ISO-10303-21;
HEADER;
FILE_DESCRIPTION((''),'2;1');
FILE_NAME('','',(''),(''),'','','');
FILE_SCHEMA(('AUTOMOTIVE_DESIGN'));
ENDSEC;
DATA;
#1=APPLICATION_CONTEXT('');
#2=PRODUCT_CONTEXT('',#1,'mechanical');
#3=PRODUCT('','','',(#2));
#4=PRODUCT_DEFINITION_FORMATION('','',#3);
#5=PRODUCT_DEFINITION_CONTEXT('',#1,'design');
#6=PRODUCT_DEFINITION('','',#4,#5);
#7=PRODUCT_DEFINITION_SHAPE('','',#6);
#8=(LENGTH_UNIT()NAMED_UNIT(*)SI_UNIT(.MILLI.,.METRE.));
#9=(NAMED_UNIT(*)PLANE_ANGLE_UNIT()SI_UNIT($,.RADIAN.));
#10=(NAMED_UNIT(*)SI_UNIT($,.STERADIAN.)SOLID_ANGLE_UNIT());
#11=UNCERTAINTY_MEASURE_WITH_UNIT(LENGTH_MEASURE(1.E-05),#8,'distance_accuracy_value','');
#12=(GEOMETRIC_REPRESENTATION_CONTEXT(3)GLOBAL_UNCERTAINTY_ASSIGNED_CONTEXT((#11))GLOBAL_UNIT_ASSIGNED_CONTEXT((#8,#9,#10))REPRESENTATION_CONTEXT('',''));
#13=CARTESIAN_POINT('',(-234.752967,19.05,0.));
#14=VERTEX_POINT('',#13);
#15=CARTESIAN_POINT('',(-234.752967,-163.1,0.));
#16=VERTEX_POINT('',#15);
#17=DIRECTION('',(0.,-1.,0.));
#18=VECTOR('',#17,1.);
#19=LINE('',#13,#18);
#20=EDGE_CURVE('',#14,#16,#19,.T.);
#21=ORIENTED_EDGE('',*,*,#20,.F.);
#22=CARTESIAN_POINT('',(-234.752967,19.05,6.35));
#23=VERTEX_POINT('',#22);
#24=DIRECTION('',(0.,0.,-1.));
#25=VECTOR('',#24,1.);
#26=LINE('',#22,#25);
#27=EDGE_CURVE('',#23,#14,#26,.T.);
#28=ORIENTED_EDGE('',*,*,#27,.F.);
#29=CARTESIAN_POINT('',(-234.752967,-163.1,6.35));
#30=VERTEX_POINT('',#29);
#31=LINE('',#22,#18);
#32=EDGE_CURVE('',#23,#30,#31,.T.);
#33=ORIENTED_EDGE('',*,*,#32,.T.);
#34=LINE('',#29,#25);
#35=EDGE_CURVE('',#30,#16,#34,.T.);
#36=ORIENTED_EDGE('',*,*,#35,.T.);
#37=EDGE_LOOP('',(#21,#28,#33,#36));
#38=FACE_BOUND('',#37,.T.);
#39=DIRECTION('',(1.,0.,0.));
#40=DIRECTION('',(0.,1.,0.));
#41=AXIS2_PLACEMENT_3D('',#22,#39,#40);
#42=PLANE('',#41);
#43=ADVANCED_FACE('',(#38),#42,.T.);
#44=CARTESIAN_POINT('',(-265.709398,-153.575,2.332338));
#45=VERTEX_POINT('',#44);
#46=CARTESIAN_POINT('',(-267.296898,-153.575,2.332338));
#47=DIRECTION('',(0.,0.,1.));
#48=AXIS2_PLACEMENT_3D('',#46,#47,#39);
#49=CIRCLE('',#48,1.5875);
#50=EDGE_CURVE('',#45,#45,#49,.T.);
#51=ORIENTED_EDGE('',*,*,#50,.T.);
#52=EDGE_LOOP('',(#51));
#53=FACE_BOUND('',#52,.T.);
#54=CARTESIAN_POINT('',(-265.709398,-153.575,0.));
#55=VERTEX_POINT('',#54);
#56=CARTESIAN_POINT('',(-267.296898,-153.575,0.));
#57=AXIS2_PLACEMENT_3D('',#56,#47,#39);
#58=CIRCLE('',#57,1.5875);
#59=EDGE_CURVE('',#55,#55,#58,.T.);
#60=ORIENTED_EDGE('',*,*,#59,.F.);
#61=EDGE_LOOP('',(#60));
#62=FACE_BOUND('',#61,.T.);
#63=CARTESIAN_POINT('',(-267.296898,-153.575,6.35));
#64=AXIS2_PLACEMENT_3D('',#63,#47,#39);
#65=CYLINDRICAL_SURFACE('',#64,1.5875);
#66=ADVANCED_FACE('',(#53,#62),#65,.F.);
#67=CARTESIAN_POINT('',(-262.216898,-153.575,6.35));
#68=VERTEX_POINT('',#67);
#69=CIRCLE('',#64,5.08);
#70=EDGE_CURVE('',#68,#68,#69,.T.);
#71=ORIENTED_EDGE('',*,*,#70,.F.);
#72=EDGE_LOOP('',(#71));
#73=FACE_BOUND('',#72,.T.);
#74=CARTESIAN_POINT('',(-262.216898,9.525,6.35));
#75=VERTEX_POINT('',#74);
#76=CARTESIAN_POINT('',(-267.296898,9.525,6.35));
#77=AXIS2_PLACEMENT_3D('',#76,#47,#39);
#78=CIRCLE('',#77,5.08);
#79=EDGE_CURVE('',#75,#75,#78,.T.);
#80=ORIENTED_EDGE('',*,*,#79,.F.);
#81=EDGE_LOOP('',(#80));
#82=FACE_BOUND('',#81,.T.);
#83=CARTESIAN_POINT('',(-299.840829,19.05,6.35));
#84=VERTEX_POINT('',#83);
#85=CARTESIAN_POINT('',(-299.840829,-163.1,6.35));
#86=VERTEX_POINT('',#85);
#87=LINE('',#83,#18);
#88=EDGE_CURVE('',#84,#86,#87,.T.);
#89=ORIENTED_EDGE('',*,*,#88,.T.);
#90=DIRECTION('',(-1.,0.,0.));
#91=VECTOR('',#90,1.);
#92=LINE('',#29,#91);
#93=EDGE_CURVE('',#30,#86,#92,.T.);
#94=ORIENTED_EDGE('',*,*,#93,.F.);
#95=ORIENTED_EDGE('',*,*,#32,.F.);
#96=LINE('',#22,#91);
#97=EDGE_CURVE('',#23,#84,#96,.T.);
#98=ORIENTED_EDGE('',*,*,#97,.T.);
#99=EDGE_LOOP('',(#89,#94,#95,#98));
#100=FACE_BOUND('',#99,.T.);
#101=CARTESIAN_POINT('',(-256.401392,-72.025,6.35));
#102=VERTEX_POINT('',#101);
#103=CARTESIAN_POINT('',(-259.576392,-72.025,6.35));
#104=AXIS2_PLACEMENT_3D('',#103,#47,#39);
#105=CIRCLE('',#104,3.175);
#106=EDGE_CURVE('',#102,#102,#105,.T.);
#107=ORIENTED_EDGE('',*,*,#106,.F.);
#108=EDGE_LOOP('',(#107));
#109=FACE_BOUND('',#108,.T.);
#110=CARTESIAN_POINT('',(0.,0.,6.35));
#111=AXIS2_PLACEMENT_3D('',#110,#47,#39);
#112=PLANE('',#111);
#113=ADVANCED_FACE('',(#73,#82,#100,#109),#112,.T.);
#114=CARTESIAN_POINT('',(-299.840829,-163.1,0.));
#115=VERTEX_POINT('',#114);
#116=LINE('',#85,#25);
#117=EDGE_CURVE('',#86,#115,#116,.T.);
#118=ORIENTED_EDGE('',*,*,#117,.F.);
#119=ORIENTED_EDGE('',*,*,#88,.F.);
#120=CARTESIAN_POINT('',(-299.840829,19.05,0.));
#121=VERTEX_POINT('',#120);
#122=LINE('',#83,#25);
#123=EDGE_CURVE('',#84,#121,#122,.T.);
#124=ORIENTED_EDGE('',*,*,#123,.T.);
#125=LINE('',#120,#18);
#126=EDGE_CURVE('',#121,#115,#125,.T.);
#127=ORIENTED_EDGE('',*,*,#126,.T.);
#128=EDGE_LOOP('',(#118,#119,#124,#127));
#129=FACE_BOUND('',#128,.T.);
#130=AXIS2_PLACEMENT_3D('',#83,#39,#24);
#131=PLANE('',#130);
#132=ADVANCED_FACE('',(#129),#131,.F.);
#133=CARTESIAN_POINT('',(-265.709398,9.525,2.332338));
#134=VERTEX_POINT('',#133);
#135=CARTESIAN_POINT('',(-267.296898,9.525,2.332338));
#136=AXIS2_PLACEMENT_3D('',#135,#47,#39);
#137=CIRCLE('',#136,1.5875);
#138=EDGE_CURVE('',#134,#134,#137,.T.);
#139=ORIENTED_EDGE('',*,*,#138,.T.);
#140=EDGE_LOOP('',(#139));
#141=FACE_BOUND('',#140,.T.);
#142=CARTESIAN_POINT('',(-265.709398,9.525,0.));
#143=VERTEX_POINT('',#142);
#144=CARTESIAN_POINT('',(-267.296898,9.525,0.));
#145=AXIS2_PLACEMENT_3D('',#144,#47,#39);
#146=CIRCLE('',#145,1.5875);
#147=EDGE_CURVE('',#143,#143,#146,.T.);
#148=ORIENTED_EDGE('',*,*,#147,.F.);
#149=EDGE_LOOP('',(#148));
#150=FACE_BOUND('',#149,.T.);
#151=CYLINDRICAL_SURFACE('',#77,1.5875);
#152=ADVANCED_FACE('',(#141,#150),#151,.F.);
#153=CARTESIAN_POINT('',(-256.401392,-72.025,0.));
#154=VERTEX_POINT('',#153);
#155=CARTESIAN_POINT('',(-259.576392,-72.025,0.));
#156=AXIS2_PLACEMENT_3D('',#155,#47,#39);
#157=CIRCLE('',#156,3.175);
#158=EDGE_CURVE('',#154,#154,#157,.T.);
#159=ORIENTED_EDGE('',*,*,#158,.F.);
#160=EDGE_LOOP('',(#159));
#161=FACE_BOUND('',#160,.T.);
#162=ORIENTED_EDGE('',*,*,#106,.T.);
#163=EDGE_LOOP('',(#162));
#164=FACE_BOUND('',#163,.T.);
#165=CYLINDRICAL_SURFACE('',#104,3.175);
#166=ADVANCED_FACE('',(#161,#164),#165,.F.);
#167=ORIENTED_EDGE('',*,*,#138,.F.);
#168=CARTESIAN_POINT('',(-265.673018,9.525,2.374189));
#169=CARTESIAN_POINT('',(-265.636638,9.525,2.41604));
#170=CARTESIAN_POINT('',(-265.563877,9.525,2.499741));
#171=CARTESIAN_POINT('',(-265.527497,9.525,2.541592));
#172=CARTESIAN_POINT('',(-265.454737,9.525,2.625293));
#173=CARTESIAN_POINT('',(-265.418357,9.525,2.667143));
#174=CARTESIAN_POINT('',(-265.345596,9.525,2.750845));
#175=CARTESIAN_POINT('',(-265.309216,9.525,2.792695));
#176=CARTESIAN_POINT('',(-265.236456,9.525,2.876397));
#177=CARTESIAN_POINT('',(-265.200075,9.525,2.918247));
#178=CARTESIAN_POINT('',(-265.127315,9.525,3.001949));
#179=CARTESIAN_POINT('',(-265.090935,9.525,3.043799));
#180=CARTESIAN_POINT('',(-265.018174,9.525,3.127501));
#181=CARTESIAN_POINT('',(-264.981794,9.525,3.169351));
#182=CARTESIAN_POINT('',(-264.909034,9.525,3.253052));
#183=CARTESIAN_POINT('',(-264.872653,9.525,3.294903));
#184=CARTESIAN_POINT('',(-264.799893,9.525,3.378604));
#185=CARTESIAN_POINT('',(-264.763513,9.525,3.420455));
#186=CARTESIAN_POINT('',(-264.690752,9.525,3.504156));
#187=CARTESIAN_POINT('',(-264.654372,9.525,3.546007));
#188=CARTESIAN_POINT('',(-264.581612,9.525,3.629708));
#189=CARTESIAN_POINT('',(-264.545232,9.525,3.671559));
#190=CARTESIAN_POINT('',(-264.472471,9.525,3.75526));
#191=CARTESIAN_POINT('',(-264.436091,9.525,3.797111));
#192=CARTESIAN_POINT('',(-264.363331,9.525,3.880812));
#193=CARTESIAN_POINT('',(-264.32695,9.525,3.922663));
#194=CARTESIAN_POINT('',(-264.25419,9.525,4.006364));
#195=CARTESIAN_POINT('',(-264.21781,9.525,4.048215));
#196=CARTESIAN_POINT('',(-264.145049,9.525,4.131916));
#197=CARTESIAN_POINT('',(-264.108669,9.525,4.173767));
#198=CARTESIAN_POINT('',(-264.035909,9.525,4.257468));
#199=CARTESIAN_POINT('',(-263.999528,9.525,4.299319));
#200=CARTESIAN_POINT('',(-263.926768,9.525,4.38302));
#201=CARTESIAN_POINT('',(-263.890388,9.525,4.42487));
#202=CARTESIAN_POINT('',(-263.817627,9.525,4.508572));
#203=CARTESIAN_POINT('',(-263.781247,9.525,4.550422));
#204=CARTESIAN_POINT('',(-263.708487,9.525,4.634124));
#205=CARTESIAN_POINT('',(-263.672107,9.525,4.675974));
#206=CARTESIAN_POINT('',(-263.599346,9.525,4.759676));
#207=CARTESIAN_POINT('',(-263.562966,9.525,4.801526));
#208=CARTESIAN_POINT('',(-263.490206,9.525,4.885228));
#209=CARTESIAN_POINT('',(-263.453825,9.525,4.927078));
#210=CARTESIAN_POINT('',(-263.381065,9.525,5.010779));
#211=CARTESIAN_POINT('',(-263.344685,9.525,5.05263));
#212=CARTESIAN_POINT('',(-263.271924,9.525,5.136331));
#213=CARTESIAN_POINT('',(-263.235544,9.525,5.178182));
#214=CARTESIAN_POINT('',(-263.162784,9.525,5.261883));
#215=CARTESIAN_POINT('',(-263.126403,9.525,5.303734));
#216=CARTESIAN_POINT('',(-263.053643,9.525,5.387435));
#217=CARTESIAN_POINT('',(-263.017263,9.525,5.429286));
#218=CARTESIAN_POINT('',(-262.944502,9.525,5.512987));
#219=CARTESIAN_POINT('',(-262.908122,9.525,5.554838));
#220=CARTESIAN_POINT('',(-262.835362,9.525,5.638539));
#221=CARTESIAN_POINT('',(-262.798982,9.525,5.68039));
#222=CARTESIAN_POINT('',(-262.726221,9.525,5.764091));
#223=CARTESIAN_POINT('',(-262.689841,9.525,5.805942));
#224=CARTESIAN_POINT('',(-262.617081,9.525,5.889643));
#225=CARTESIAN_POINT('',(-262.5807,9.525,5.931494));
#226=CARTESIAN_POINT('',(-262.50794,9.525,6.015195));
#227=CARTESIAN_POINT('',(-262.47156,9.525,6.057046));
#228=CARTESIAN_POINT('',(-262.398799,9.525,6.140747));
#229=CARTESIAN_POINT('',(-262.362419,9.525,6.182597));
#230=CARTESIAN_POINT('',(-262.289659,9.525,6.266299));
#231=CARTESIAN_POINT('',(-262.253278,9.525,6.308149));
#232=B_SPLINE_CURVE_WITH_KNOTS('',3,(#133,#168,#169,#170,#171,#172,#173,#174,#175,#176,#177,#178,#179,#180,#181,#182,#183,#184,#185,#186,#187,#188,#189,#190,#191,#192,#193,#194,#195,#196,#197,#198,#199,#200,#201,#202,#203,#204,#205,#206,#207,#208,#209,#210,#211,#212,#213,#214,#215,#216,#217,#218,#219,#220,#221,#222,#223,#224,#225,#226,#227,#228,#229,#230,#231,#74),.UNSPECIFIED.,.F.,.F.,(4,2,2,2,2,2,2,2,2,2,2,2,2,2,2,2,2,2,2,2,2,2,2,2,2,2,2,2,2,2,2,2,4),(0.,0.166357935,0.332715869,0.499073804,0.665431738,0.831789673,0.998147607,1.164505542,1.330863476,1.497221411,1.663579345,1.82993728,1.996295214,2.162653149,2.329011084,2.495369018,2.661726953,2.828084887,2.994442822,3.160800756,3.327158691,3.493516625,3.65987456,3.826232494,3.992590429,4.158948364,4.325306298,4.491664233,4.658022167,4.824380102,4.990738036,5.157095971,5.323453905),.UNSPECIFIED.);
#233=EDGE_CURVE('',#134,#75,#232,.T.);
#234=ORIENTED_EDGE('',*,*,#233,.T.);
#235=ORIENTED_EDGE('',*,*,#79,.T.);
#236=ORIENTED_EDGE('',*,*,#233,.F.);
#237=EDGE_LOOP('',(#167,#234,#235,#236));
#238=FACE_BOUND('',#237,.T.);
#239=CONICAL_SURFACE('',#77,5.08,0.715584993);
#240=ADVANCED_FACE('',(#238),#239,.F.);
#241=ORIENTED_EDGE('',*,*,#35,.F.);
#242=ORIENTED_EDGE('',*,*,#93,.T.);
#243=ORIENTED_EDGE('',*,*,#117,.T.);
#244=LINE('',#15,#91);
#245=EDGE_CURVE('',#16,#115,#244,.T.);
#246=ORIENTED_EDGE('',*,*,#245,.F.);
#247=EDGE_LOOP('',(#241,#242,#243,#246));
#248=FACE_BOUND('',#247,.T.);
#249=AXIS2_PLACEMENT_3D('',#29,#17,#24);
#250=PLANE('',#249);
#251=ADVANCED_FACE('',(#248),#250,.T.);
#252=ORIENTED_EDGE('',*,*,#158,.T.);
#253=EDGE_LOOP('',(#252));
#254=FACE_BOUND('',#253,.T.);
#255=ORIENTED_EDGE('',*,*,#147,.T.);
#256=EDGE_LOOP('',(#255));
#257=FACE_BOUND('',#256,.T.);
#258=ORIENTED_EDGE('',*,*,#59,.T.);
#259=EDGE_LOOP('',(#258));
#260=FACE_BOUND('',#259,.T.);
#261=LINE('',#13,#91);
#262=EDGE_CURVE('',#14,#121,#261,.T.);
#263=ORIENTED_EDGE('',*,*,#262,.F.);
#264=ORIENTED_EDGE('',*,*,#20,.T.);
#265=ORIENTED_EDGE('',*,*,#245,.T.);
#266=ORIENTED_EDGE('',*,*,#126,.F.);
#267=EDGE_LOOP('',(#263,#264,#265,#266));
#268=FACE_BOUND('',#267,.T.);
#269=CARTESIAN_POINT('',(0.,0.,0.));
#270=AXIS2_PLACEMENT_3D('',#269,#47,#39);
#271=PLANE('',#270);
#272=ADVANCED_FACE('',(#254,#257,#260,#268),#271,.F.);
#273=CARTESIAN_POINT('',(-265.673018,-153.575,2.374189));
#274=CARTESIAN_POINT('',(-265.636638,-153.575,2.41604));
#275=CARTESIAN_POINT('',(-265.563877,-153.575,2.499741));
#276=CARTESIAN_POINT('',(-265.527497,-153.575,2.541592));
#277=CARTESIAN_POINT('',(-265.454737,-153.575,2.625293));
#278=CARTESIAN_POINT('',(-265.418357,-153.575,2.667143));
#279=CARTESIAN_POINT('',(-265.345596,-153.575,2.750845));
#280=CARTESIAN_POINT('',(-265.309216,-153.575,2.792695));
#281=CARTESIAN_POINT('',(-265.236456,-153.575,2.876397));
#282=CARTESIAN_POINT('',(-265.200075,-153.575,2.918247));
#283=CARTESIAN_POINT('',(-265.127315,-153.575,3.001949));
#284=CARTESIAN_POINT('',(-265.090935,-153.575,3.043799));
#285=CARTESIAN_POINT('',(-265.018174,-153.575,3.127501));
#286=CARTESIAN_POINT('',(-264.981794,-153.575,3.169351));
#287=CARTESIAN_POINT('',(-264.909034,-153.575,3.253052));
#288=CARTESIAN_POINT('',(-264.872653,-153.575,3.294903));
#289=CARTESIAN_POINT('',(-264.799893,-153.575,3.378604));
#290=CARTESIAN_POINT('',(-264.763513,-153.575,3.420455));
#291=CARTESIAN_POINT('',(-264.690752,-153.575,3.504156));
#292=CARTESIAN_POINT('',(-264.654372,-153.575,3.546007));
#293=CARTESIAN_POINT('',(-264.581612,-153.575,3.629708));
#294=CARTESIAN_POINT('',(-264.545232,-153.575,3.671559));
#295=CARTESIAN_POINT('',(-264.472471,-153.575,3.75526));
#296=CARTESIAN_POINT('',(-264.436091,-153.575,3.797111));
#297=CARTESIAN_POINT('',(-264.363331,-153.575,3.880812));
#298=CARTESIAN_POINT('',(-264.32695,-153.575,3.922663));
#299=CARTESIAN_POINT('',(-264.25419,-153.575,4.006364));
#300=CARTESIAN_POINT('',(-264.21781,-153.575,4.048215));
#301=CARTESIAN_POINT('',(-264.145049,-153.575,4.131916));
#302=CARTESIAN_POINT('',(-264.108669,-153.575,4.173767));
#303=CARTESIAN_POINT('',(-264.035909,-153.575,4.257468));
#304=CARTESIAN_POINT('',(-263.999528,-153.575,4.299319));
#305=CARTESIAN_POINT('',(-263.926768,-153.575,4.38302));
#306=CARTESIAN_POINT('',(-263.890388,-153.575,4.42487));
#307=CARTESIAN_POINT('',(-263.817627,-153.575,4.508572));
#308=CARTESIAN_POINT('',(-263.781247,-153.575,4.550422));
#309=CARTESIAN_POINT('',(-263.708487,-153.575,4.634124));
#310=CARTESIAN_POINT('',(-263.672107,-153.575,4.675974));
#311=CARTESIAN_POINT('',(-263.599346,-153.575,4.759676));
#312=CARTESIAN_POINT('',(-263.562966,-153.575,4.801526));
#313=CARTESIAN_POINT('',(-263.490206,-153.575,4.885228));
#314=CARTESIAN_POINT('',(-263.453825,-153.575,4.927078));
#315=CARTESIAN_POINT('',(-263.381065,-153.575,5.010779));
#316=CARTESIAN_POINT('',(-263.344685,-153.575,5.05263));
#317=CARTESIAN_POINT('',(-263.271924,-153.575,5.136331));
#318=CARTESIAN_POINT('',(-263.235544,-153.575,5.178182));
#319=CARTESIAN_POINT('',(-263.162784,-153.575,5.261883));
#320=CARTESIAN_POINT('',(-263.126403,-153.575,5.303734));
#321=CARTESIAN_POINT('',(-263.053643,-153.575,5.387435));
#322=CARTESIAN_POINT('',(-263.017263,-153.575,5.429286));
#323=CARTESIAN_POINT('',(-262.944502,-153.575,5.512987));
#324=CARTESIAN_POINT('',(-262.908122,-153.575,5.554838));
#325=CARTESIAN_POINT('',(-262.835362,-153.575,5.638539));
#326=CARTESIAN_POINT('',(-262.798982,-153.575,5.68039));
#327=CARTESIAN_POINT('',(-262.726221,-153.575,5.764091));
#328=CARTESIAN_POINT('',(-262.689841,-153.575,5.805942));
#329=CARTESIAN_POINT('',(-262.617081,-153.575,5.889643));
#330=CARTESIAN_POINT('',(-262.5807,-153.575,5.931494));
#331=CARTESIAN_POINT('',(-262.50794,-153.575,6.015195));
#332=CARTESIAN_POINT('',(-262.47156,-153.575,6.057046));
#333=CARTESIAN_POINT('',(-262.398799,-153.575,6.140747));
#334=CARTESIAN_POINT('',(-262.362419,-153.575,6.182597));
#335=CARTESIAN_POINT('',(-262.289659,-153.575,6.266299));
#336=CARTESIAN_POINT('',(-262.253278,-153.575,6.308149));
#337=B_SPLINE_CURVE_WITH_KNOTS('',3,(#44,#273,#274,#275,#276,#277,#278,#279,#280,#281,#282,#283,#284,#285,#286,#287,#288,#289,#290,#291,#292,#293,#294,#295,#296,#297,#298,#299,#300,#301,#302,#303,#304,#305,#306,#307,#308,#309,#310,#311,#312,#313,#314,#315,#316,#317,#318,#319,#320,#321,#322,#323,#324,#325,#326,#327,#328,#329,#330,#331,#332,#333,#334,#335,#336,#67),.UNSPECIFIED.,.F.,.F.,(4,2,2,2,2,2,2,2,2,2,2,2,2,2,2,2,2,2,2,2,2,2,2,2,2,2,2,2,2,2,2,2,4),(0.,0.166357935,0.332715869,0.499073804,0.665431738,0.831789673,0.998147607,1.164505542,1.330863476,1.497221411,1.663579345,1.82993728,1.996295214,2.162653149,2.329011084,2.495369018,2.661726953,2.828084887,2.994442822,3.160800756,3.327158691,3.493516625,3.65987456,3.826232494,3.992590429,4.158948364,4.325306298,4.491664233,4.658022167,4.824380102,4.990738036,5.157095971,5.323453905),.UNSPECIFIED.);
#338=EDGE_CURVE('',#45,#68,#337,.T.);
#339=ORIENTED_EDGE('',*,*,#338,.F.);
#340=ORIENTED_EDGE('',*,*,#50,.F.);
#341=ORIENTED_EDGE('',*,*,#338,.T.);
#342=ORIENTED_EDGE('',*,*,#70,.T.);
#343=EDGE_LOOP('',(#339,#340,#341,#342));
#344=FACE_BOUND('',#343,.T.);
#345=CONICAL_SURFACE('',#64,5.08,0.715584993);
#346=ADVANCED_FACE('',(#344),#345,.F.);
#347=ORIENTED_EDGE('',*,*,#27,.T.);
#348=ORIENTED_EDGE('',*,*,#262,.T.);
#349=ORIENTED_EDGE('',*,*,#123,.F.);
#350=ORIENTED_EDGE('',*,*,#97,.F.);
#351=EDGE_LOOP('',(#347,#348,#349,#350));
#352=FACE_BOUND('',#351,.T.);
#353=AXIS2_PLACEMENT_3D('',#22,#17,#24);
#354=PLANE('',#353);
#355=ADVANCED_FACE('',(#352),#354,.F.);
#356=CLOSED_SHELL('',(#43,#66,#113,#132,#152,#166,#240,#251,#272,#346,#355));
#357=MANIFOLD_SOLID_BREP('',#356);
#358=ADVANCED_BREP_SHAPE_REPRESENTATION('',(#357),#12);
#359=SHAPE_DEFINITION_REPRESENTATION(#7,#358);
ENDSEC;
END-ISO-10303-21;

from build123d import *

# Parameters (mm, degrees)
SKETCH1_W                   = 65.087862113
SKETCH1_H                   = 182.149999994
BOSS_EXTRUDE1_DEPTH         = 6.35
F_1_4_0_25_DIAMETER_HOLE1_D = 6.35
HOLE1_D                     = 3.175
HOLE1_DEPTH                 = 31.75
HOLE1_CSINK_D               = 10.16
HOLE1_CSINK_ANGLE           = 82
HOLE1_TIP                   = 0.953866233


with BuildPart() as part:
    # Sketch1 → Boss-Extrude1 (new body)
    with BuildSketch(Plane.XY):
        with Locations((-267.296898237, -72.024999997)):
            Rectangle(SKETCH1_W, SKETCH1_H)
    extrude(amount=BOSS_EXTRUDE1_DEPTH)

    # 1/4 (0.25) Diameter Hole1 (through all)
    with Locations(Plane.XY.offset(6.35)):
        with Locations((-259.576391655, -72.024999997)):
            Hole(F_1_4_0_25_DIAMETER_HOLE1_D / 2)

    # Hole1
    with Locations(Plane(origin=(181.039434513, -72.024999997, 6.35), x_dir=(0, 1, 0), z_dir=(0, 0, 1))):
        with Locations((81.549999997, 448.336332751), (-81.549999997, 448.336332751)):
            CounterSinkHole(HOLE1_D / 2, HOLE1_CSINK_D / 2, depth=HOLE1_DEPTH, counter_sink_angle=HOLE1_CSINK_ANGLE)
            with Locations((0, 0, -(HOLE1_DEPTH + HOLE1_TIP / 2))):  # 118° drill point
                Cone(0, HOLE1_D / 2, HOLE1_TIP, mode=Mode.SUBTRACT)


solid = part.part
